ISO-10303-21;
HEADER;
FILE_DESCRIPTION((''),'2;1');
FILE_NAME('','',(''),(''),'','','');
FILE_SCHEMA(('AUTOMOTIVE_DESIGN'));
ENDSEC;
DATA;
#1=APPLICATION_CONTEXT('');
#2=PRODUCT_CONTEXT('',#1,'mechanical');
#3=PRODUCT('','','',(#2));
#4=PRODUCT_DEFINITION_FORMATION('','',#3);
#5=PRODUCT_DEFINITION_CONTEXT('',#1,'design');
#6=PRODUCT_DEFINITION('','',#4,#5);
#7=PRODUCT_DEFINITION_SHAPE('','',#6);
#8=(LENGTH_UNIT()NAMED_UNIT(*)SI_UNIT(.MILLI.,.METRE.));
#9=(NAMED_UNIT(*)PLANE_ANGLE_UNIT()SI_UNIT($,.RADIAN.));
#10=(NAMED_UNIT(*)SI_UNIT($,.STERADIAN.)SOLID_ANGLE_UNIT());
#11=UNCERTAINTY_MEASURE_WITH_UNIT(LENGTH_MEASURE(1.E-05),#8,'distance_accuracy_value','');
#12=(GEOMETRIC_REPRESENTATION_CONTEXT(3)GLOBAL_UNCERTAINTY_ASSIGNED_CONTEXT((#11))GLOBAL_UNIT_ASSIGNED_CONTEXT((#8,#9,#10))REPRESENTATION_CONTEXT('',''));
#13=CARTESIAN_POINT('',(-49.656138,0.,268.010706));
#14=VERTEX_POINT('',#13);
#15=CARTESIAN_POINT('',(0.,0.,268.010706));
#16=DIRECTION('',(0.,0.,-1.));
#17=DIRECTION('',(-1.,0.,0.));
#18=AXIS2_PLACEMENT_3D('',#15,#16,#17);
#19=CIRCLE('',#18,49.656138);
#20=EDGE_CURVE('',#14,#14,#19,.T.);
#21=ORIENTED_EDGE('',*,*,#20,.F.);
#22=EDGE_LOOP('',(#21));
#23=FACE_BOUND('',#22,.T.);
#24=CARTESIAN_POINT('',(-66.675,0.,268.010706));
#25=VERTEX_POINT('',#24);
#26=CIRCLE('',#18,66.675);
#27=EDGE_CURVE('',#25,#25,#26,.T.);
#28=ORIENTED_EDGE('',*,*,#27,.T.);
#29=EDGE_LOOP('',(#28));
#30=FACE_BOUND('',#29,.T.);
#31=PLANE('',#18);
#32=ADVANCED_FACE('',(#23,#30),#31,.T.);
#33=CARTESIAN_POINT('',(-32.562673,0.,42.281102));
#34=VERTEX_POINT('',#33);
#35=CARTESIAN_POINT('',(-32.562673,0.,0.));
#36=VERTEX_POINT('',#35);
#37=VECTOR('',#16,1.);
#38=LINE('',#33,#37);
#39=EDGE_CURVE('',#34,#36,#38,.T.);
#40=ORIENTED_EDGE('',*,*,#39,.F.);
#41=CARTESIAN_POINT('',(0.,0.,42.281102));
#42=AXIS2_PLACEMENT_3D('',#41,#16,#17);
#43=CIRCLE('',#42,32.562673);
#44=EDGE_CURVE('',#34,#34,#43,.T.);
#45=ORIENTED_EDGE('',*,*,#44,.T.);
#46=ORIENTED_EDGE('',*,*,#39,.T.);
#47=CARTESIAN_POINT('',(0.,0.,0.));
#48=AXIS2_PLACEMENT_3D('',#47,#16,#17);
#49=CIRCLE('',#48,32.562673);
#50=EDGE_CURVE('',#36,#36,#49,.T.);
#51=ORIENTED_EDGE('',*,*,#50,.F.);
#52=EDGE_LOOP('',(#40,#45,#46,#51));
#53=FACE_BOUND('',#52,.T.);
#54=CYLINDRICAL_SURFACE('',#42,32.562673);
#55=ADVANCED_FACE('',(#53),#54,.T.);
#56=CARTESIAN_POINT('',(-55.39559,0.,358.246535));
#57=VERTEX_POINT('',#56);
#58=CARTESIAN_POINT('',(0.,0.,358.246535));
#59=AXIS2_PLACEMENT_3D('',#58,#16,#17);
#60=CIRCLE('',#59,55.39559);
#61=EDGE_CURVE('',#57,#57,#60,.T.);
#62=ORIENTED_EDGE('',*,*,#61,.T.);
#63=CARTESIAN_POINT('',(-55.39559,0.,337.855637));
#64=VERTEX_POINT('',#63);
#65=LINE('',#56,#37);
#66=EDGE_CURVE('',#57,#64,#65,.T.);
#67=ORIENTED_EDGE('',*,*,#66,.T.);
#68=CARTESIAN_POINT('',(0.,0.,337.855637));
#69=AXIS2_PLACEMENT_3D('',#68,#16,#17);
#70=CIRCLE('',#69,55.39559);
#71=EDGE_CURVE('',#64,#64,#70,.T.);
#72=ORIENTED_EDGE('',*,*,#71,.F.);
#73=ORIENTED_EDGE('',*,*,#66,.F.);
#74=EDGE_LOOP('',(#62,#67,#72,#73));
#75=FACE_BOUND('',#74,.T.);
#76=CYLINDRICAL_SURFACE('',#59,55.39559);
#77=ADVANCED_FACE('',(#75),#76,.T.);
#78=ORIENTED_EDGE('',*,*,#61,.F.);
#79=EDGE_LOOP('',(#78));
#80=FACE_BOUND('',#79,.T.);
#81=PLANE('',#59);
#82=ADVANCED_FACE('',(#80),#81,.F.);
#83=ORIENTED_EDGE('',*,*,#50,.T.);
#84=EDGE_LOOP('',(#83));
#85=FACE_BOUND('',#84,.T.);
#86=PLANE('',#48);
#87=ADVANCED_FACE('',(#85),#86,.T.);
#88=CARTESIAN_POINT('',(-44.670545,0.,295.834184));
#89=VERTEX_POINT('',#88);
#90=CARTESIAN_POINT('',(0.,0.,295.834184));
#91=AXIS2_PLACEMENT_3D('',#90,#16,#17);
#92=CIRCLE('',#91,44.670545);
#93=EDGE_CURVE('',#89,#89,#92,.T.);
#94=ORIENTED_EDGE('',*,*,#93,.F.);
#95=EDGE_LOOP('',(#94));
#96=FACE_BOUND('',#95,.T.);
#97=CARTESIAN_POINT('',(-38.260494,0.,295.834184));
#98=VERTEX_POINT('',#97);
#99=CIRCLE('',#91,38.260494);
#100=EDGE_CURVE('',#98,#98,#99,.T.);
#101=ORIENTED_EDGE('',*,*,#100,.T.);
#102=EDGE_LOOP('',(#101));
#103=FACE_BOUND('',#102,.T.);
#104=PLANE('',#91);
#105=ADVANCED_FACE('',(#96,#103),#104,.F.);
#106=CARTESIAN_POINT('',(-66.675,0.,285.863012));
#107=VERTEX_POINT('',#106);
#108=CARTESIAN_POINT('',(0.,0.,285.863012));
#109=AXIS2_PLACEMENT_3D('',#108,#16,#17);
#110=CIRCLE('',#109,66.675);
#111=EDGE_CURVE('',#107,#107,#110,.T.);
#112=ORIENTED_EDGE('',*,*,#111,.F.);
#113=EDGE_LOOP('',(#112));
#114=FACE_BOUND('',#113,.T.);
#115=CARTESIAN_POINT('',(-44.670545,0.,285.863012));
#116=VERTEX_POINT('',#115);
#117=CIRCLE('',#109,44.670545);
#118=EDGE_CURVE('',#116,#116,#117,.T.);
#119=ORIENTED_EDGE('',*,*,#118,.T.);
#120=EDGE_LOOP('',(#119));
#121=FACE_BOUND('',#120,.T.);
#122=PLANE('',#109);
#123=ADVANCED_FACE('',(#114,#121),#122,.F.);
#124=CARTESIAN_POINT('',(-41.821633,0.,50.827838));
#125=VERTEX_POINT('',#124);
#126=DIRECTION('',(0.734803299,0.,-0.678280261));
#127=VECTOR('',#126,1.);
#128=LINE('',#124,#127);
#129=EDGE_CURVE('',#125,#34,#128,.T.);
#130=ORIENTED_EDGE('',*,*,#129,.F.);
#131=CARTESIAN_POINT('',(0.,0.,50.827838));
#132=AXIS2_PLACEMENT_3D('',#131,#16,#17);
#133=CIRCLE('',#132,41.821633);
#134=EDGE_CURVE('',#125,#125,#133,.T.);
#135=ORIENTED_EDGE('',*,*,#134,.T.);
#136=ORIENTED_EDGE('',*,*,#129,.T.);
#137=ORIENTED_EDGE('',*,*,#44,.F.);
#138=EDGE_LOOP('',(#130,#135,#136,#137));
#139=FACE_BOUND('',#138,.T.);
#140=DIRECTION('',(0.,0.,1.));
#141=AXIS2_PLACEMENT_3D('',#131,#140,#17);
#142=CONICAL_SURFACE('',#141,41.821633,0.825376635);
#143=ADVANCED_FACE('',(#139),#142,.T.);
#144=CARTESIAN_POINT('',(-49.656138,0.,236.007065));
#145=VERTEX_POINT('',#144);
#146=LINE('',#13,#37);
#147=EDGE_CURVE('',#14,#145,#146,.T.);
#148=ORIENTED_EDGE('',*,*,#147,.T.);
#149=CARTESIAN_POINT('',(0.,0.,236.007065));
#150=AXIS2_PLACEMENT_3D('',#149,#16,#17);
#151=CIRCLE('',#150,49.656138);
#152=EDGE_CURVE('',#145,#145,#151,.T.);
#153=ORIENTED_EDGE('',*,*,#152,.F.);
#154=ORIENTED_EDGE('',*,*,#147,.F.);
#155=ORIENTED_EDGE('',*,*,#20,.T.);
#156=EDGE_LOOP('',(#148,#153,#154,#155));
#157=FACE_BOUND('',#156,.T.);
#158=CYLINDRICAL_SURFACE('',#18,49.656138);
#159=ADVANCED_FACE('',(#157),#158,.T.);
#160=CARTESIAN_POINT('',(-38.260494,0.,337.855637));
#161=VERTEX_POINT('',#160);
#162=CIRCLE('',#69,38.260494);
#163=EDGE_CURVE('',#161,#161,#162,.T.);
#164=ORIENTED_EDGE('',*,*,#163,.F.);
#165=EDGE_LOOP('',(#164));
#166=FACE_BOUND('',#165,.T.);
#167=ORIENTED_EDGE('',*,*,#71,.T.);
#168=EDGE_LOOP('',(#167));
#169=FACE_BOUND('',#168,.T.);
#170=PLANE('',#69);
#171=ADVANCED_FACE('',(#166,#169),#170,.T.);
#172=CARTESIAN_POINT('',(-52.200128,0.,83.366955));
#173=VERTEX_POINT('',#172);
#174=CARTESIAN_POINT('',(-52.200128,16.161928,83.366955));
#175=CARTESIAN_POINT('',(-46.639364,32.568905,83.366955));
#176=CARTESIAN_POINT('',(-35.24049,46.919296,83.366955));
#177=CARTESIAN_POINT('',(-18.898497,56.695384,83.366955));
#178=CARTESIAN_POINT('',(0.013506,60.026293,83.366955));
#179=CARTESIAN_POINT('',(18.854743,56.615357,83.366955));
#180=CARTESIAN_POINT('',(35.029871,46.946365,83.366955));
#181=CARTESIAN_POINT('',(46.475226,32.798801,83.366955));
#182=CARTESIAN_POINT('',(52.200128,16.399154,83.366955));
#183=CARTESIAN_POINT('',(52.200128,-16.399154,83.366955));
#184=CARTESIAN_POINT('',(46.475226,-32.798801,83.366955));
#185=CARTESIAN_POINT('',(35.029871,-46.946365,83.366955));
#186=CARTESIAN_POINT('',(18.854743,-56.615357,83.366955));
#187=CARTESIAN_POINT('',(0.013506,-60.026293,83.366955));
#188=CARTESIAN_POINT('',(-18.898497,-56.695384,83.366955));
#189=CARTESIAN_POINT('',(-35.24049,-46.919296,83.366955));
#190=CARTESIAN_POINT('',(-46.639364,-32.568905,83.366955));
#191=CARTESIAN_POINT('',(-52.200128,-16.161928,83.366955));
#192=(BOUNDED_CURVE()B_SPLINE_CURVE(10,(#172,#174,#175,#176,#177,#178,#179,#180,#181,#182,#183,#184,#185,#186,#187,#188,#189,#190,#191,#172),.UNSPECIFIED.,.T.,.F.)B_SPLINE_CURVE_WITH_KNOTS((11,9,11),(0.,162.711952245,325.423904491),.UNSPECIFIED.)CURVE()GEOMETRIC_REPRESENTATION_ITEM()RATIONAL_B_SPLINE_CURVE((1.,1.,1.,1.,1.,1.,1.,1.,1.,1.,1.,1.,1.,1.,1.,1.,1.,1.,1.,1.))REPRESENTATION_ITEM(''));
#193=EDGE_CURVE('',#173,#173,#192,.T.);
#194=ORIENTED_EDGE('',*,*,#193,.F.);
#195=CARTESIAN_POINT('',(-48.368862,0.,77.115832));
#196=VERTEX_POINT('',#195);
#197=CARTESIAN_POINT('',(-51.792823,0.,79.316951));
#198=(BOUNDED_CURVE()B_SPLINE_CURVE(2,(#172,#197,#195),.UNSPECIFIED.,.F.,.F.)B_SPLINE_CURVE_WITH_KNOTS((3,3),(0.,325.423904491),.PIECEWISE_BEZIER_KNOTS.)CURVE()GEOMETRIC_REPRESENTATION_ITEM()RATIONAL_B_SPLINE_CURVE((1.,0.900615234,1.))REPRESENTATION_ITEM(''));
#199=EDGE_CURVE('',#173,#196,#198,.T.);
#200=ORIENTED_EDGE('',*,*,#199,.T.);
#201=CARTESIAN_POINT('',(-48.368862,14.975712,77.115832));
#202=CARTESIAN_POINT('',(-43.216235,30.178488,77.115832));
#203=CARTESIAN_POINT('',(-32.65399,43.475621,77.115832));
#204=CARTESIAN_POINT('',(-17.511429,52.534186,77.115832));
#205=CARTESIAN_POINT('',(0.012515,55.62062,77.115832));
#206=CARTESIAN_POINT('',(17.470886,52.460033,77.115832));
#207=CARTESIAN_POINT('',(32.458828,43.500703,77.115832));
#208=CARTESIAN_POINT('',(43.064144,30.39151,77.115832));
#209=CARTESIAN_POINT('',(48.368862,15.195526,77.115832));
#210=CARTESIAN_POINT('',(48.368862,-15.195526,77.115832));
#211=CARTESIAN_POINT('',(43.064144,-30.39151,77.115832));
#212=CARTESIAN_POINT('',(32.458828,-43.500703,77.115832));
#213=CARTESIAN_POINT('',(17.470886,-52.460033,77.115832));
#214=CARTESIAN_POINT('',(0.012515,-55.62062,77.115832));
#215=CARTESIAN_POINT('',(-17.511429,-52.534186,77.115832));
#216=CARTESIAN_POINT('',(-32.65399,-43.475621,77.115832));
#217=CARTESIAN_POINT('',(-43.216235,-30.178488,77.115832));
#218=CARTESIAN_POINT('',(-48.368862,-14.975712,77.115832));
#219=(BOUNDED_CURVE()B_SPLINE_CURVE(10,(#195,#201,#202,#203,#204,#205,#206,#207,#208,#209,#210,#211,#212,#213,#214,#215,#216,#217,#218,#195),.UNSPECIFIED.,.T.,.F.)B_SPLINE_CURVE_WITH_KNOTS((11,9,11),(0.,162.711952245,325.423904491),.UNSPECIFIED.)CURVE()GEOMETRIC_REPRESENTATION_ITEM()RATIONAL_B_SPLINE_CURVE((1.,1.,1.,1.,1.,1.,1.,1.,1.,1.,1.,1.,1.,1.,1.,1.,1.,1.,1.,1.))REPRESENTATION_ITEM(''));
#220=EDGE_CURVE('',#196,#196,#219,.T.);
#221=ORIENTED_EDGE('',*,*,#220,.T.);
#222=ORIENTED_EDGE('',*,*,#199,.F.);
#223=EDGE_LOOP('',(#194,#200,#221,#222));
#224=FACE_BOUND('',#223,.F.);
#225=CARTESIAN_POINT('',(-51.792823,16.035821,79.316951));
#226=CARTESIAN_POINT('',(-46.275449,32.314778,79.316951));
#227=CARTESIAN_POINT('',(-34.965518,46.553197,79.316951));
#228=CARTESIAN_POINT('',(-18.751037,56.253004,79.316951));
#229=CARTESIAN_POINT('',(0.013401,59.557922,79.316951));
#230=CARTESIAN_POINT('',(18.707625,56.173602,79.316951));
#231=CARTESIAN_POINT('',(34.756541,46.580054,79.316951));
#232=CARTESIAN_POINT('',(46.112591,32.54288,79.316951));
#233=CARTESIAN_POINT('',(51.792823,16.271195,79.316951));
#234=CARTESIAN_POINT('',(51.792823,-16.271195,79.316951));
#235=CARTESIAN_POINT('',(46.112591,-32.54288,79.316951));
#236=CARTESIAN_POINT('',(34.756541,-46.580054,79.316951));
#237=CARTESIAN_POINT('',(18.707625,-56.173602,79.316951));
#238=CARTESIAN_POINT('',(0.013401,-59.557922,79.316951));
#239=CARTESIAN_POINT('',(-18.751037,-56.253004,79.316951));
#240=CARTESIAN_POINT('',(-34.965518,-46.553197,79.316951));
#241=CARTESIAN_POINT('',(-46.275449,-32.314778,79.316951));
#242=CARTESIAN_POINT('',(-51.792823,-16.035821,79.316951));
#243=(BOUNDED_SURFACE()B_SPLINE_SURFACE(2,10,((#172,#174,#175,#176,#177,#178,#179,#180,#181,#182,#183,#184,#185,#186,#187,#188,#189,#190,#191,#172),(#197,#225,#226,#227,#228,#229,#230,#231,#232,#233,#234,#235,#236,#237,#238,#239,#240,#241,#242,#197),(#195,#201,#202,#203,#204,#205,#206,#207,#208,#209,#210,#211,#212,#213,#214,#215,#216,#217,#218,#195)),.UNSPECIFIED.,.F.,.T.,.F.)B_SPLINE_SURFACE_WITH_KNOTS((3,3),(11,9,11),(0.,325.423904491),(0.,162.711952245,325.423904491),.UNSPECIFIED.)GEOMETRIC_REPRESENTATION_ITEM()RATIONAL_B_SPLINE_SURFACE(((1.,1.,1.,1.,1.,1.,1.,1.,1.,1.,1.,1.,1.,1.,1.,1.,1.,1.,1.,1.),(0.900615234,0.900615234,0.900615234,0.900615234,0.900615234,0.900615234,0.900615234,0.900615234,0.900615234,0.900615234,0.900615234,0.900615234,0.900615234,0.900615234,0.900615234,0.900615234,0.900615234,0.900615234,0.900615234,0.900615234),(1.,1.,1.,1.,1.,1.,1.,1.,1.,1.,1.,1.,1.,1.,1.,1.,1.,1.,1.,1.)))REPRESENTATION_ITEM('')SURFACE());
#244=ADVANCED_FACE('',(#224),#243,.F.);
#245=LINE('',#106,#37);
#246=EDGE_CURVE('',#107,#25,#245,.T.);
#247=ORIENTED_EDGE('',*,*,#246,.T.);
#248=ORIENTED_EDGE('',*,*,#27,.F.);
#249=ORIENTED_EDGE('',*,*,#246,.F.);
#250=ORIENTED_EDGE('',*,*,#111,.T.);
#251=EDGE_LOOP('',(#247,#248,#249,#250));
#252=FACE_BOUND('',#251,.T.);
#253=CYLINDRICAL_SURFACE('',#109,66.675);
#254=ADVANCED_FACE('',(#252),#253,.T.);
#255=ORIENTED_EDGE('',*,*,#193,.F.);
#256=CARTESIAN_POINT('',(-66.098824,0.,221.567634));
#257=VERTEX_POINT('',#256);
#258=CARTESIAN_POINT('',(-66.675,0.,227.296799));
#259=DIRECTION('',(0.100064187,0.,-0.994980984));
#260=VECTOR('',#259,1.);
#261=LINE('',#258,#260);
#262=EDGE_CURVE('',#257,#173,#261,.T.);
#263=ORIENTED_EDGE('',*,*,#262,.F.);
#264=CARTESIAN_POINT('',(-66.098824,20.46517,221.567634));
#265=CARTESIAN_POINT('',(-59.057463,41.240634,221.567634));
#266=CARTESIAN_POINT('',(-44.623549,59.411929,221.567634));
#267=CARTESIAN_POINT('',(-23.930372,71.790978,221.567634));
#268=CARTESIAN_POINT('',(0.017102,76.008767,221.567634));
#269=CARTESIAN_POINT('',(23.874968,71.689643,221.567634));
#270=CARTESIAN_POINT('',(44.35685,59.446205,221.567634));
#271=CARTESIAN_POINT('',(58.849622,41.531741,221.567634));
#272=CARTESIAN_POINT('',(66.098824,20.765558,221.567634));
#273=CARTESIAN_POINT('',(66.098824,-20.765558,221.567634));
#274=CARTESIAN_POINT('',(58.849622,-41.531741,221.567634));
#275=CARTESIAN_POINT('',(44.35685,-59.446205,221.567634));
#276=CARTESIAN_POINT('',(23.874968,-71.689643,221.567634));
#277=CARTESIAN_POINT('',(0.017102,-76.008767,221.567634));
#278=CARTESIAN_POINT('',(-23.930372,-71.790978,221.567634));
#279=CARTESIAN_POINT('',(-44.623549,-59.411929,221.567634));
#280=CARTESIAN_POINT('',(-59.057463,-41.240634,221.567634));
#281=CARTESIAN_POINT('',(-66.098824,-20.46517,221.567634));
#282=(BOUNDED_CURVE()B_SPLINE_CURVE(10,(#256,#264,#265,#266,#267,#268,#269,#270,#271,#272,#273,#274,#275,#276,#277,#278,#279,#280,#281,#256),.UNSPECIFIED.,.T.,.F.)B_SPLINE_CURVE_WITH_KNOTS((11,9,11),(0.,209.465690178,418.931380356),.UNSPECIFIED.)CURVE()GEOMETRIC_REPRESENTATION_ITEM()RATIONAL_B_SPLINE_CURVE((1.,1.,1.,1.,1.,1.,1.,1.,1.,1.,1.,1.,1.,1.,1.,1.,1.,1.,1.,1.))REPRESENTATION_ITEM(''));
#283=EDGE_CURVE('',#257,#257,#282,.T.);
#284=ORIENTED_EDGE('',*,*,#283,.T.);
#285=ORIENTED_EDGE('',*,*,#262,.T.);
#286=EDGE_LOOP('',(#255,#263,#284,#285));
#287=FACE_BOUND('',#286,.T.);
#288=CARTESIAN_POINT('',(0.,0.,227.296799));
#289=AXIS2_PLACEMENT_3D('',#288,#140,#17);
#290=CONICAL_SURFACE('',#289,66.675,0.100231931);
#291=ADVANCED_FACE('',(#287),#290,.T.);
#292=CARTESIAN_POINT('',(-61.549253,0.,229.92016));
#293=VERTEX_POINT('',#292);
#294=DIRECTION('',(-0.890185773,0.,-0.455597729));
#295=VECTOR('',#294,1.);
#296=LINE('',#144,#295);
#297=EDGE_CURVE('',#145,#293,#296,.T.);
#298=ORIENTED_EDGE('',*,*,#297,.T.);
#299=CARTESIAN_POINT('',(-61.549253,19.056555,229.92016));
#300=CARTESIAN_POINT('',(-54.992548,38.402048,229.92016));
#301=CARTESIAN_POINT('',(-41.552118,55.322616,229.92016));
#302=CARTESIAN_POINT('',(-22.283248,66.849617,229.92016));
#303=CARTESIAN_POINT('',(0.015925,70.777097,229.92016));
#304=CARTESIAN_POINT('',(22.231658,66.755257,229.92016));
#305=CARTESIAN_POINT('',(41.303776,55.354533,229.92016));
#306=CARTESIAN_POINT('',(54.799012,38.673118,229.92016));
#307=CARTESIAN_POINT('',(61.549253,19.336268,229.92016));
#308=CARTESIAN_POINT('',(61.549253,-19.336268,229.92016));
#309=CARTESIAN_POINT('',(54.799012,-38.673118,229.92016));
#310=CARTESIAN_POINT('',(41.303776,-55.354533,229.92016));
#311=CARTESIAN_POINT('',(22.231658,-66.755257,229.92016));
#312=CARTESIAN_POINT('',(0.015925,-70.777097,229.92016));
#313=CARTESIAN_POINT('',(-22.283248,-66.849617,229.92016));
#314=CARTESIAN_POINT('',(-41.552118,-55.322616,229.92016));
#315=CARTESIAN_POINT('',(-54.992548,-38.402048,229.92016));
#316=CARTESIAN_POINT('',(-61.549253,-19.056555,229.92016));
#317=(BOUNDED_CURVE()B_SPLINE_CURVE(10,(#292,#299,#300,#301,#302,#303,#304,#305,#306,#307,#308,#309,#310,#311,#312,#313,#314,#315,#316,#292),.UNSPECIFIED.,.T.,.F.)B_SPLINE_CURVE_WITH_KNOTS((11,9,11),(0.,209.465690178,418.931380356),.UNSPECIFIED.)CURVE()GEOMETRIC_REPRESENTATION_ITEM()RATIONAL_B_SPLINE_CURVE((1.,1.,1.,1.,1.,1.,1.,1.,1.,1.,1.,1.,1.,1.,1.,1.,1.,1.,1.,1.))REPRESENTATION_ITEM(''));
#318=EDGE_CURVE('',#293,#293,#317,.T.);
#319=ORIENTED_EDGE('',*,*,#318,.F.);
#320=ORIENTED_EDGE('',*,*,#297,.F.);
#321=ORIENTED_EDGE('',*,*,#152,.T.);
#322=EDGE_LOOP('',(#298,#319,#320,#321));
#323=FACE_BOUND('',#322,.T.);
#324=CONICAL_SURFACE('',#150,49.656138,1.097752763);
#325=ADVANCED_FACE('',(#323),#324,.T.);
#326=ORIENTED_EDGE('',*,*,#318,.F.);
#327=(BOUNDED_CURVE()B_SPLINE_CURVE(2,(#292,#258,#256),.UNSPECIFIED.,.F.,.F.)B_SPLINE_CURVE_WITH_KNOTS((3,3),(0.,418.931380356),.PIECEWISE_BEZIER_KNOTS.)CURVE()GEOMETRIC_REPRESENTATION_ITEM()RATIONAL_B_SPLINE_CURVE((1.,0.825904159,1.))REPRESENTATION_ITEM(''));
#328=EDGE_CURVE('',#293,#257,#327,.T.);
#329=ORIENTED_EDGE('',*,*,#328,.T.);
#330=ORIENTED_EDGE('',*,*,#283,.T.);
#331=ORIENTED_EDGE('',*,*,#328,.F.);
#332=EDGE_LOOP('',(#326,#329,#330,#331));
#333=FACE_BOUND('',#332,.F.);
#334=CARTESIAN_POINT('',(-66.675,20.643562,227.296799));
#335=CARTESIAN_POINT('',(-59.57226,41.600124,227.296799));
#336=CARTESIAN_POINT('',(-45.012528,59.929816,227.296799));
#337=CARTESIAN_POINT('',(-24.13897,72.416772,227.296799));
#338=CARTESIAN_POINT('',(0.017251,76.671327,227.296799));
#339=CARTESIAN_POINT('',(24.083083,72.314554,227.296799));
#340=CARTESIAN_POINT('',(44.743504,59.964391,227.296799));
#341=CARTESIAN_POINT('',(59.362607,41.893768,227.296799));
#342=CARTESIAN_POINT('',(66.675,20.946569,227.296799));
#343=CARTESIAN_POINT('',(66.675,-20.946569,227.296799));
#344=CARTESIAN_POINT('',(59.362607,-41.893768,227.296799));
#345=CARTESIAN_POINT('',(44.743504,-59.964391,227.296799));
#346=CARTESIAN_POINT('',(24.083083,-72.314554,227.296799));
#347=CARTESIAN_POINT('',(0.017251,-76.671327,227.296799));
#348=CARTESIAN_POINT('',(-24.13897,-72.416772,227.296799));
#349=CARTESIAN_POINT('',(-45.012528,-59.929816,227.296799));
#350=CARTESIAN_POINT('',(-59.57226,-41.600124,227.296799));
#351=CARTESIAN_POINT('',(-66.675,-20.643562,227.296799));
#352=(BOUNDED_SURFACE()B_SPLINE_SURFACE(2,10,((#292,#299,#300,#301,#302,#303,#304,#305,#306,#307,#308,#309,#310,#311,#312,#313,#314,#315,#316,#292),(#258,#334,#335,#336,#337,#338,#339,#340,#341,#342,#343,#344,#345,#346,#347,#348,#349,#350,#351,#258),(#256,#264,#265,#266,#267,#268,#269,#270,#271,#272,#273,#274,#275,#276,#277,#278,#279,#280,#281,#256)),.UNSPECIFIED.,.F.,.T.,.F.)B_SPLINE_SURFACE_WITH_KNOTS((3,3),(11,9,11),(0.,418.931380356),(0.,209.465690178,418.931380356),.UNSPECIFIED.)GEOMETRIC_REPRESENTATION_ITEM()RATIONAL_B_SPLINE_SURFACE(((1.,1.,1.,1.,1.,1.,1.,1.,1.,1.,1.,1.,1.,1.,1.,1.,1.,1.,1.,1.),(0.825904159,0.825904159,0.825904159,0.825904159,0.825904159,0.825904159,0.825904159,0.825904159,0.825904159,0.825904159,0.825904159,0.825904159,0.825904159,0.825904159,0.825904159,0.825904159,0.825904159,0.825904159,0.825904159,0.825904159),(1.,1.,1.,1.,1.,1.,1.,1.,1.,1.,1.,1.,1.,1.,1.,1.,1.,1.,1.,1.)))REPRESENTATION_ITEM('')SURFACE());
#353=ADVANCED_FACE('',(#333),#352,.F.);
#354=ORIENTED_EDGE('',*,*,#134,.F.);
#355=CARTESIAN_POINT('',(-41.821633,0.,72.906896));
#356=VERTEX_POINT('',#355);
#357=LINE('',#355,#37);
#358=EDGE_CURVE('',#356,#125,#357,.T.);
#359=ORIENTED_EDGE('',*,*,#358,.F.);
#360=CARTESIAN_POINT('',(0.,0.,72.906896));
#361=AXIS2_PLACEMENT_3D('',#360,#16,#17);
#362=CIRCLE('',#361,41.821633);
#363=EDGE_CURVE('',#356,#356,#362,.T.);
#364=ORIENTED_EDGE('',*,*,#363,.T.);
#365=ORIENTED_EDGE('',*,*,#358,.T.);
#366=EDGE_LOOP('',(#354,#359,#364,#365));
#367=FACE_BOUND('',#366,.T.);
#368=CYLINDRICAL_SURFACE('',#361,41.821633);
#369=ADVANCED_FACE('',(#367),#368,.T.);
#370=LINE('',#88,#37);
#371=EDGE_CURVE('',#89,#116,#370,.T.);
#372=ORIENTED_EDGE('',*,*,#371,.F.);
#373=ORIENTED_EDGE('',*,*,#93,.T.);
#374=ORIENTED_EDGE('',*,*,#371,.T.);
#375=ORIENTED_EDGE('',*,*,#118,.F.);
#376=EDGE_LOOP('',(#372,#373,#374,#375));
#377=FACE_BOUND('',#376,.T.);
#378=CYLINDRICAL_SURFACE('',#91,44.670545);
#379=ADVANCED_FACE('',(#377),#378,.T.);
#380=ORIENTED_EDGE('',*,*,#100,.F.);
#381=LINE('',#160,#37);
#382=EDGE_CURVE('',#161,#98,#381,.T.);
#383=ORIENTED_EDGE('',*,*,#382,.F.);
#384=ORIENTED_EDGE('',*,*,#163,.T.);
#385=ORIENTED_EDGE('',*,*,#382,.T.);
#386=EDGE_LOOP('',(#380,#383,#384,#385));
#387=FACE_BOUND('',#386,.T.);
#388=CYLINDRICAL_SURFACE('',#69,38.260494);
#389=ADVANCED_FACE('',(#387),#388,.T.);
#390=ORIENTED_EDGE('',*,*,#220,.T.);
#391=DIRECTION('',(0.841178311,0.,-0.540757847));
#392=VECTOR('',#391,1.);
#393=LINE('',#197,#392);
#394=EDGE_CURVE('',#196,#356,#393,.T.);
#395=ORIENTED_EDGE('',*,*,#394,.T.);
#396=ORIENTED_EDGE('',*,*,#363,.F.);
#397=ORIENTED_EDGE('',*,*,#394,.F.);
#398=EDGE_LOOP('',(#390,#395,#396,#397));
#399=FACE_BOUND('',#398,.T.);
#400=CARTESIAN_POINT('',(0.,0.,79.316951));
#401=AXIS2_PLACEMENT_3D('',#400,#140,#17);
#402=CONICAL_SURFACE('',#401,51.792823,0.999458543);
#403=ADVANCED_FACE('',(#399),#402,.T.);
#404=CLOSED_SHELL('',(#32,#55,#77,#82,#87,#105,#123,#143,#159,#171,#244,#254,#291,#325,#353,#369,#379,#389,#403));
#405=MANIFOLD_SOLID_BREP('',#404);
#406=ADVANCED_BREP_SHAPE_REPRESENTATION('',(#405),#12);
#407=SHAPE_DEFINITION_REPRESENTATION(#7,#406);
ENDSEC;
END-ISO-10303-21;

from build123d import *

# Parameters (mm, degrees)
F3_R = 8.434765


with BuildPart() as f2:
    # F1 (on Front) → F2 (revolve)
    with BuildSketch(Plane.XZ):
        Polygon((0, 0), (0, 358.246535), (-55.39559, 358.246535), (-55.39559, 337.855637), (-38.260494, 337.855637), (-38.260494, 295.834184), (-44.670545, 295.834184), (-44.670545, 285.863012), (-66.675, 285.863012), (-66.675, 268.010706), (-49.656138, 268.010706), (-49.656138, 236.007065), (-66.675, 227.296799), (-51.792823, 79.316951), (-41.821633, 72.906896), (-41.821633, 50.827838), (-32.562673, 42.281102), (-32.562673, 0), align=None)
    revolve(axis=Axis((0, 0, 179.123268), (0, 0, -1)))

    # F3
    f3_edges = [f2.edges().sort_by_distance(p)[0] for p in [
        (66.675, 0, 227.296799),
        (51.792823, 0, 79.316951),
    ]]
    fillet(f3_edges, radius=F3_R)


solid = f2.part
